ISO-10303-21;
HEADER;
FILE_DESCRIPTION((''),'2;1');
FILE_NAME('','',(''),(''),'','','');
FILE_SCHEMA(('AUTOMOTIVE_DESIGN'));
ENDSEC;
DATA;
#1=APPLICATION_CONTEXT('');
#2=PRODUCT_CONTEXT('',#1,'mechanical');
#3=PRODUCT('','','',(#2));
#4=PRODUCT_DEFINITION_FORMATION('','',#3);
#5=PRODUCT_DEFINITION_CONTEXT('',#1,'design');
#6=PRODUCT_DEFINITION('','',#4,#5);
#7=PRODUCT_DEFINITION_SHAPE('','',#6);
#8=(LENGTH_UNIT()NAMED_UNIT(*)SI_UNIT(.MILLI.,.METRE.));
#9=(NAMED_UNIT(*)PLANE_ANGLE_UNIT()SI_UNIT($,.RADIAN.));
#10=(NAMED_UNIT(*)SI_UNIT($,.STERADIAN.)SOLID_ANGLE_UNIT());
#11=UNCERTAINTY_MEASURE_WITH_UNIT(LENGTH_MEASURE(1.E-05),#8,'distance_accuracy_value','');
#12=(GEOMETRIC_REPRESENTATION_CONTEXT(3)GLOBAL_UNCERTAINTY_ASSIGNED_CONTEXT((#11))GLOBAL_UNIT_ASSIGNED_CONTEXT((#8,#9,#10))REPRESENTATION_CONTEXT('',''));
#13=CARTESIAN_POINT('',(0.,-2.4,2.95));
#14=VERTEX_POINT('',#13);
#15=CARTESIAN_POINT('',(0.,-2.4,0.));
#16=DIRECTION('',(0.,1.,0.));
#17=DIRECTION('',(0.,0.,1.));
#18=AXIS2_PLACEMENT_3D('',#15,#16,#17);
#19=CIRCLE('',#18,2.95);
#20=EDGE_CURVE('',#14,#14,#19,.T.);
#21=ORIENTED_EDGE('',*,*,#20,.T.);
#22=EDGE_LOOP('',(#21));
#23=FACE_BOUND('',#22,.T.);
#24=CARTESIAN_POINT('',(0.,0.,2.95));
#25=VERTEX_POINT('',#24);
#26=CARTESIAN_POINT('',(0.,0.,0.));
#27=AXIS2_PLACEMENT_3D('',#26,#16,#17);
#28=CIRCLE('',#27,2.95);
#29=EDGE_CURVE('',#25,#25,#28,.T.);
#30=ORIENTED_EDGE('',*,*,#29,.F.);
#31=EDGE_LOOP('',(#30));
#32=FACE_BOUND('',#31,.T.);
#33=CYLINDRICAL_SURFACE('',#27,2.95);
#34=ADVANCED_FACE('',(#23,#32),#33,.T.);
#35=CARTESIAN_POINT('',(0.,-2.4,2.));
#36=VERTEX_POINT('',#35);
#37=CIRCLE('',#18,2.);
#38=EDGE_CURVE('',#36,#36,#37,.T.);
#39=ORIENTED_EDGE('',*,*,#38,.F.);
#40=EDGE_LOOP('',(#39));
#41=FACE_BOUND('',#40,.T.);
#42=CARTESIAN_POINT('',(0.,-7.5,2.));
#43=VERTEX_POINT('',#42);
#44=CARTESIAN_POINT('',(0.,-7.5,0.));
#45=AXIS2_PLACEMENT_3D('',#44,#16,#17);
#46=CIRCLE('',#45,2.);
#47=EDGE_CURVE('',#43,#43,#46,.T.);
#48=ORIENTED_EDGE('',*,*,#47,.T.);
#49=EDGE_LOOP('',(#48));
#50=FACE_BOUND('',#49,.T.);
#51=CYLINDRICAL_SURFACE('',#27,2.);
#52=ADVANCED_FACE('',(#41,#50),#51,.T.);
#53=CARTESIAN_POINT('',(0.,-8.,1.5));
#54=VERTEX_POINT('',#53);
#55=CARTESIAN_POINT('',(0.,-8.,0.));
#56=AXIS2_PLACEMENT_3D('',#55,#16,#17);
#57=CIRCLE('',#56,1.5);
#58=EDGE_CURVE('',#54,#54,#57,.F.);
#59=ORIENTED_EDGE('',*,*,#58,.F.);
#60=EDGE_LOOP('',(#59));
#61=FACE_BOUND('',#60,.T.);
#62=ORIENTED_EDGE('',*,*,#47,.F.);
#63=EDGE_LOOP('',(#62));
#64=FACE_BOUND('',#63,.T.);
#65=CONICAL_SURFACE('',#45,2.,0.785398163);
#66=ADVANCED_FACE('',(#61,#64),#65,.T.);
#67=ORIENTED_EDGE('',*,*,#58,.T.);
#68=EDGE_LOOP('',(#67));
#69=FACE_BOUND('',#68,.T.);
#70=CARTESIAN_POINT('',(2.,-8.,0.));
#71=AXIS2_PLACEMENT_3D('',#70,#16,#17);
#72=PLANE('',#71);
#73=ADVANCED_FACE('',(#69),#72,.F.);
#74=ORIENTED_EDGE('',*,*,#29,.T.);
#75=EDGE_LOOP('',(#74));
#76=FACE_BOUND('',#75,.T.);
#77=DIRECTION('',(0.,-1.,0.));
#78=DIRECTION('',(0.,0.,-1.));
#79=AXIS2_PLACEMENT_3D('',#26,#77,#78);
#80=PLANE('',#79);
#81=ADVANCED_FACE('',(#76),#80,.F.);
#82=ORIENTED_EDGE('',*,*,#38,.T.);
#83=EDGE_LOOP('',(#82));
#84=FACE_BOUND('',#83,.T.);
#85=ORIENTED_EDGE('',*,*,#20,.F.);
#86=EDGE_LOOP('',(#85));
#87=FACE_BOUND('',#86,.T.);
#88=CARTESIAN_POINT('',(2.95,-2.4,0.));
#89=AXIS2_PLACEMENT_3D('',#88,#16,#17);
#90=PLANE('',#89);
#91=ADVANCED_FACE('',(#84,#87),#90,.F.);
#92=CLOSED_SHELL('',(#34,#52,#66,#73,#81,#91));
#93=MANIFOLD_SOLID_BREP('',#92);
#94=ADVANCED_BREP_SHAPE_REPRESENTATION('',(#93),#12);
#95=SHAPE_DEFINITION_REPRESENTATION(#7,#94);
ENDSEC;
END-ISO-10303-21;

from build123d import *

# Parameters (mm, degrees)
CHAFL_N1_SIZE = 0.5


with BuildPart() as part:
    # Croquis1 → Revolución1 (revolve)
    with BuildSketch(Plane.XY):
        Polygon((0, 0), (2.95, 0), (2.95, -2.4), (2, -2.4), (2, -8), (0, -8), align=None)
    revolve(axis=Axis((0, 0, 0), (0, -1, 0)))

    # Chaflán1
    chafl_n1_edges = [part.edges().sort_by_distance(p)[0] for p in [
        (-2, -8, 0),
    ]]
    chamfer(chafl_n1_edges, length=CHAFL_N1_SIZE)


solid = part.part
